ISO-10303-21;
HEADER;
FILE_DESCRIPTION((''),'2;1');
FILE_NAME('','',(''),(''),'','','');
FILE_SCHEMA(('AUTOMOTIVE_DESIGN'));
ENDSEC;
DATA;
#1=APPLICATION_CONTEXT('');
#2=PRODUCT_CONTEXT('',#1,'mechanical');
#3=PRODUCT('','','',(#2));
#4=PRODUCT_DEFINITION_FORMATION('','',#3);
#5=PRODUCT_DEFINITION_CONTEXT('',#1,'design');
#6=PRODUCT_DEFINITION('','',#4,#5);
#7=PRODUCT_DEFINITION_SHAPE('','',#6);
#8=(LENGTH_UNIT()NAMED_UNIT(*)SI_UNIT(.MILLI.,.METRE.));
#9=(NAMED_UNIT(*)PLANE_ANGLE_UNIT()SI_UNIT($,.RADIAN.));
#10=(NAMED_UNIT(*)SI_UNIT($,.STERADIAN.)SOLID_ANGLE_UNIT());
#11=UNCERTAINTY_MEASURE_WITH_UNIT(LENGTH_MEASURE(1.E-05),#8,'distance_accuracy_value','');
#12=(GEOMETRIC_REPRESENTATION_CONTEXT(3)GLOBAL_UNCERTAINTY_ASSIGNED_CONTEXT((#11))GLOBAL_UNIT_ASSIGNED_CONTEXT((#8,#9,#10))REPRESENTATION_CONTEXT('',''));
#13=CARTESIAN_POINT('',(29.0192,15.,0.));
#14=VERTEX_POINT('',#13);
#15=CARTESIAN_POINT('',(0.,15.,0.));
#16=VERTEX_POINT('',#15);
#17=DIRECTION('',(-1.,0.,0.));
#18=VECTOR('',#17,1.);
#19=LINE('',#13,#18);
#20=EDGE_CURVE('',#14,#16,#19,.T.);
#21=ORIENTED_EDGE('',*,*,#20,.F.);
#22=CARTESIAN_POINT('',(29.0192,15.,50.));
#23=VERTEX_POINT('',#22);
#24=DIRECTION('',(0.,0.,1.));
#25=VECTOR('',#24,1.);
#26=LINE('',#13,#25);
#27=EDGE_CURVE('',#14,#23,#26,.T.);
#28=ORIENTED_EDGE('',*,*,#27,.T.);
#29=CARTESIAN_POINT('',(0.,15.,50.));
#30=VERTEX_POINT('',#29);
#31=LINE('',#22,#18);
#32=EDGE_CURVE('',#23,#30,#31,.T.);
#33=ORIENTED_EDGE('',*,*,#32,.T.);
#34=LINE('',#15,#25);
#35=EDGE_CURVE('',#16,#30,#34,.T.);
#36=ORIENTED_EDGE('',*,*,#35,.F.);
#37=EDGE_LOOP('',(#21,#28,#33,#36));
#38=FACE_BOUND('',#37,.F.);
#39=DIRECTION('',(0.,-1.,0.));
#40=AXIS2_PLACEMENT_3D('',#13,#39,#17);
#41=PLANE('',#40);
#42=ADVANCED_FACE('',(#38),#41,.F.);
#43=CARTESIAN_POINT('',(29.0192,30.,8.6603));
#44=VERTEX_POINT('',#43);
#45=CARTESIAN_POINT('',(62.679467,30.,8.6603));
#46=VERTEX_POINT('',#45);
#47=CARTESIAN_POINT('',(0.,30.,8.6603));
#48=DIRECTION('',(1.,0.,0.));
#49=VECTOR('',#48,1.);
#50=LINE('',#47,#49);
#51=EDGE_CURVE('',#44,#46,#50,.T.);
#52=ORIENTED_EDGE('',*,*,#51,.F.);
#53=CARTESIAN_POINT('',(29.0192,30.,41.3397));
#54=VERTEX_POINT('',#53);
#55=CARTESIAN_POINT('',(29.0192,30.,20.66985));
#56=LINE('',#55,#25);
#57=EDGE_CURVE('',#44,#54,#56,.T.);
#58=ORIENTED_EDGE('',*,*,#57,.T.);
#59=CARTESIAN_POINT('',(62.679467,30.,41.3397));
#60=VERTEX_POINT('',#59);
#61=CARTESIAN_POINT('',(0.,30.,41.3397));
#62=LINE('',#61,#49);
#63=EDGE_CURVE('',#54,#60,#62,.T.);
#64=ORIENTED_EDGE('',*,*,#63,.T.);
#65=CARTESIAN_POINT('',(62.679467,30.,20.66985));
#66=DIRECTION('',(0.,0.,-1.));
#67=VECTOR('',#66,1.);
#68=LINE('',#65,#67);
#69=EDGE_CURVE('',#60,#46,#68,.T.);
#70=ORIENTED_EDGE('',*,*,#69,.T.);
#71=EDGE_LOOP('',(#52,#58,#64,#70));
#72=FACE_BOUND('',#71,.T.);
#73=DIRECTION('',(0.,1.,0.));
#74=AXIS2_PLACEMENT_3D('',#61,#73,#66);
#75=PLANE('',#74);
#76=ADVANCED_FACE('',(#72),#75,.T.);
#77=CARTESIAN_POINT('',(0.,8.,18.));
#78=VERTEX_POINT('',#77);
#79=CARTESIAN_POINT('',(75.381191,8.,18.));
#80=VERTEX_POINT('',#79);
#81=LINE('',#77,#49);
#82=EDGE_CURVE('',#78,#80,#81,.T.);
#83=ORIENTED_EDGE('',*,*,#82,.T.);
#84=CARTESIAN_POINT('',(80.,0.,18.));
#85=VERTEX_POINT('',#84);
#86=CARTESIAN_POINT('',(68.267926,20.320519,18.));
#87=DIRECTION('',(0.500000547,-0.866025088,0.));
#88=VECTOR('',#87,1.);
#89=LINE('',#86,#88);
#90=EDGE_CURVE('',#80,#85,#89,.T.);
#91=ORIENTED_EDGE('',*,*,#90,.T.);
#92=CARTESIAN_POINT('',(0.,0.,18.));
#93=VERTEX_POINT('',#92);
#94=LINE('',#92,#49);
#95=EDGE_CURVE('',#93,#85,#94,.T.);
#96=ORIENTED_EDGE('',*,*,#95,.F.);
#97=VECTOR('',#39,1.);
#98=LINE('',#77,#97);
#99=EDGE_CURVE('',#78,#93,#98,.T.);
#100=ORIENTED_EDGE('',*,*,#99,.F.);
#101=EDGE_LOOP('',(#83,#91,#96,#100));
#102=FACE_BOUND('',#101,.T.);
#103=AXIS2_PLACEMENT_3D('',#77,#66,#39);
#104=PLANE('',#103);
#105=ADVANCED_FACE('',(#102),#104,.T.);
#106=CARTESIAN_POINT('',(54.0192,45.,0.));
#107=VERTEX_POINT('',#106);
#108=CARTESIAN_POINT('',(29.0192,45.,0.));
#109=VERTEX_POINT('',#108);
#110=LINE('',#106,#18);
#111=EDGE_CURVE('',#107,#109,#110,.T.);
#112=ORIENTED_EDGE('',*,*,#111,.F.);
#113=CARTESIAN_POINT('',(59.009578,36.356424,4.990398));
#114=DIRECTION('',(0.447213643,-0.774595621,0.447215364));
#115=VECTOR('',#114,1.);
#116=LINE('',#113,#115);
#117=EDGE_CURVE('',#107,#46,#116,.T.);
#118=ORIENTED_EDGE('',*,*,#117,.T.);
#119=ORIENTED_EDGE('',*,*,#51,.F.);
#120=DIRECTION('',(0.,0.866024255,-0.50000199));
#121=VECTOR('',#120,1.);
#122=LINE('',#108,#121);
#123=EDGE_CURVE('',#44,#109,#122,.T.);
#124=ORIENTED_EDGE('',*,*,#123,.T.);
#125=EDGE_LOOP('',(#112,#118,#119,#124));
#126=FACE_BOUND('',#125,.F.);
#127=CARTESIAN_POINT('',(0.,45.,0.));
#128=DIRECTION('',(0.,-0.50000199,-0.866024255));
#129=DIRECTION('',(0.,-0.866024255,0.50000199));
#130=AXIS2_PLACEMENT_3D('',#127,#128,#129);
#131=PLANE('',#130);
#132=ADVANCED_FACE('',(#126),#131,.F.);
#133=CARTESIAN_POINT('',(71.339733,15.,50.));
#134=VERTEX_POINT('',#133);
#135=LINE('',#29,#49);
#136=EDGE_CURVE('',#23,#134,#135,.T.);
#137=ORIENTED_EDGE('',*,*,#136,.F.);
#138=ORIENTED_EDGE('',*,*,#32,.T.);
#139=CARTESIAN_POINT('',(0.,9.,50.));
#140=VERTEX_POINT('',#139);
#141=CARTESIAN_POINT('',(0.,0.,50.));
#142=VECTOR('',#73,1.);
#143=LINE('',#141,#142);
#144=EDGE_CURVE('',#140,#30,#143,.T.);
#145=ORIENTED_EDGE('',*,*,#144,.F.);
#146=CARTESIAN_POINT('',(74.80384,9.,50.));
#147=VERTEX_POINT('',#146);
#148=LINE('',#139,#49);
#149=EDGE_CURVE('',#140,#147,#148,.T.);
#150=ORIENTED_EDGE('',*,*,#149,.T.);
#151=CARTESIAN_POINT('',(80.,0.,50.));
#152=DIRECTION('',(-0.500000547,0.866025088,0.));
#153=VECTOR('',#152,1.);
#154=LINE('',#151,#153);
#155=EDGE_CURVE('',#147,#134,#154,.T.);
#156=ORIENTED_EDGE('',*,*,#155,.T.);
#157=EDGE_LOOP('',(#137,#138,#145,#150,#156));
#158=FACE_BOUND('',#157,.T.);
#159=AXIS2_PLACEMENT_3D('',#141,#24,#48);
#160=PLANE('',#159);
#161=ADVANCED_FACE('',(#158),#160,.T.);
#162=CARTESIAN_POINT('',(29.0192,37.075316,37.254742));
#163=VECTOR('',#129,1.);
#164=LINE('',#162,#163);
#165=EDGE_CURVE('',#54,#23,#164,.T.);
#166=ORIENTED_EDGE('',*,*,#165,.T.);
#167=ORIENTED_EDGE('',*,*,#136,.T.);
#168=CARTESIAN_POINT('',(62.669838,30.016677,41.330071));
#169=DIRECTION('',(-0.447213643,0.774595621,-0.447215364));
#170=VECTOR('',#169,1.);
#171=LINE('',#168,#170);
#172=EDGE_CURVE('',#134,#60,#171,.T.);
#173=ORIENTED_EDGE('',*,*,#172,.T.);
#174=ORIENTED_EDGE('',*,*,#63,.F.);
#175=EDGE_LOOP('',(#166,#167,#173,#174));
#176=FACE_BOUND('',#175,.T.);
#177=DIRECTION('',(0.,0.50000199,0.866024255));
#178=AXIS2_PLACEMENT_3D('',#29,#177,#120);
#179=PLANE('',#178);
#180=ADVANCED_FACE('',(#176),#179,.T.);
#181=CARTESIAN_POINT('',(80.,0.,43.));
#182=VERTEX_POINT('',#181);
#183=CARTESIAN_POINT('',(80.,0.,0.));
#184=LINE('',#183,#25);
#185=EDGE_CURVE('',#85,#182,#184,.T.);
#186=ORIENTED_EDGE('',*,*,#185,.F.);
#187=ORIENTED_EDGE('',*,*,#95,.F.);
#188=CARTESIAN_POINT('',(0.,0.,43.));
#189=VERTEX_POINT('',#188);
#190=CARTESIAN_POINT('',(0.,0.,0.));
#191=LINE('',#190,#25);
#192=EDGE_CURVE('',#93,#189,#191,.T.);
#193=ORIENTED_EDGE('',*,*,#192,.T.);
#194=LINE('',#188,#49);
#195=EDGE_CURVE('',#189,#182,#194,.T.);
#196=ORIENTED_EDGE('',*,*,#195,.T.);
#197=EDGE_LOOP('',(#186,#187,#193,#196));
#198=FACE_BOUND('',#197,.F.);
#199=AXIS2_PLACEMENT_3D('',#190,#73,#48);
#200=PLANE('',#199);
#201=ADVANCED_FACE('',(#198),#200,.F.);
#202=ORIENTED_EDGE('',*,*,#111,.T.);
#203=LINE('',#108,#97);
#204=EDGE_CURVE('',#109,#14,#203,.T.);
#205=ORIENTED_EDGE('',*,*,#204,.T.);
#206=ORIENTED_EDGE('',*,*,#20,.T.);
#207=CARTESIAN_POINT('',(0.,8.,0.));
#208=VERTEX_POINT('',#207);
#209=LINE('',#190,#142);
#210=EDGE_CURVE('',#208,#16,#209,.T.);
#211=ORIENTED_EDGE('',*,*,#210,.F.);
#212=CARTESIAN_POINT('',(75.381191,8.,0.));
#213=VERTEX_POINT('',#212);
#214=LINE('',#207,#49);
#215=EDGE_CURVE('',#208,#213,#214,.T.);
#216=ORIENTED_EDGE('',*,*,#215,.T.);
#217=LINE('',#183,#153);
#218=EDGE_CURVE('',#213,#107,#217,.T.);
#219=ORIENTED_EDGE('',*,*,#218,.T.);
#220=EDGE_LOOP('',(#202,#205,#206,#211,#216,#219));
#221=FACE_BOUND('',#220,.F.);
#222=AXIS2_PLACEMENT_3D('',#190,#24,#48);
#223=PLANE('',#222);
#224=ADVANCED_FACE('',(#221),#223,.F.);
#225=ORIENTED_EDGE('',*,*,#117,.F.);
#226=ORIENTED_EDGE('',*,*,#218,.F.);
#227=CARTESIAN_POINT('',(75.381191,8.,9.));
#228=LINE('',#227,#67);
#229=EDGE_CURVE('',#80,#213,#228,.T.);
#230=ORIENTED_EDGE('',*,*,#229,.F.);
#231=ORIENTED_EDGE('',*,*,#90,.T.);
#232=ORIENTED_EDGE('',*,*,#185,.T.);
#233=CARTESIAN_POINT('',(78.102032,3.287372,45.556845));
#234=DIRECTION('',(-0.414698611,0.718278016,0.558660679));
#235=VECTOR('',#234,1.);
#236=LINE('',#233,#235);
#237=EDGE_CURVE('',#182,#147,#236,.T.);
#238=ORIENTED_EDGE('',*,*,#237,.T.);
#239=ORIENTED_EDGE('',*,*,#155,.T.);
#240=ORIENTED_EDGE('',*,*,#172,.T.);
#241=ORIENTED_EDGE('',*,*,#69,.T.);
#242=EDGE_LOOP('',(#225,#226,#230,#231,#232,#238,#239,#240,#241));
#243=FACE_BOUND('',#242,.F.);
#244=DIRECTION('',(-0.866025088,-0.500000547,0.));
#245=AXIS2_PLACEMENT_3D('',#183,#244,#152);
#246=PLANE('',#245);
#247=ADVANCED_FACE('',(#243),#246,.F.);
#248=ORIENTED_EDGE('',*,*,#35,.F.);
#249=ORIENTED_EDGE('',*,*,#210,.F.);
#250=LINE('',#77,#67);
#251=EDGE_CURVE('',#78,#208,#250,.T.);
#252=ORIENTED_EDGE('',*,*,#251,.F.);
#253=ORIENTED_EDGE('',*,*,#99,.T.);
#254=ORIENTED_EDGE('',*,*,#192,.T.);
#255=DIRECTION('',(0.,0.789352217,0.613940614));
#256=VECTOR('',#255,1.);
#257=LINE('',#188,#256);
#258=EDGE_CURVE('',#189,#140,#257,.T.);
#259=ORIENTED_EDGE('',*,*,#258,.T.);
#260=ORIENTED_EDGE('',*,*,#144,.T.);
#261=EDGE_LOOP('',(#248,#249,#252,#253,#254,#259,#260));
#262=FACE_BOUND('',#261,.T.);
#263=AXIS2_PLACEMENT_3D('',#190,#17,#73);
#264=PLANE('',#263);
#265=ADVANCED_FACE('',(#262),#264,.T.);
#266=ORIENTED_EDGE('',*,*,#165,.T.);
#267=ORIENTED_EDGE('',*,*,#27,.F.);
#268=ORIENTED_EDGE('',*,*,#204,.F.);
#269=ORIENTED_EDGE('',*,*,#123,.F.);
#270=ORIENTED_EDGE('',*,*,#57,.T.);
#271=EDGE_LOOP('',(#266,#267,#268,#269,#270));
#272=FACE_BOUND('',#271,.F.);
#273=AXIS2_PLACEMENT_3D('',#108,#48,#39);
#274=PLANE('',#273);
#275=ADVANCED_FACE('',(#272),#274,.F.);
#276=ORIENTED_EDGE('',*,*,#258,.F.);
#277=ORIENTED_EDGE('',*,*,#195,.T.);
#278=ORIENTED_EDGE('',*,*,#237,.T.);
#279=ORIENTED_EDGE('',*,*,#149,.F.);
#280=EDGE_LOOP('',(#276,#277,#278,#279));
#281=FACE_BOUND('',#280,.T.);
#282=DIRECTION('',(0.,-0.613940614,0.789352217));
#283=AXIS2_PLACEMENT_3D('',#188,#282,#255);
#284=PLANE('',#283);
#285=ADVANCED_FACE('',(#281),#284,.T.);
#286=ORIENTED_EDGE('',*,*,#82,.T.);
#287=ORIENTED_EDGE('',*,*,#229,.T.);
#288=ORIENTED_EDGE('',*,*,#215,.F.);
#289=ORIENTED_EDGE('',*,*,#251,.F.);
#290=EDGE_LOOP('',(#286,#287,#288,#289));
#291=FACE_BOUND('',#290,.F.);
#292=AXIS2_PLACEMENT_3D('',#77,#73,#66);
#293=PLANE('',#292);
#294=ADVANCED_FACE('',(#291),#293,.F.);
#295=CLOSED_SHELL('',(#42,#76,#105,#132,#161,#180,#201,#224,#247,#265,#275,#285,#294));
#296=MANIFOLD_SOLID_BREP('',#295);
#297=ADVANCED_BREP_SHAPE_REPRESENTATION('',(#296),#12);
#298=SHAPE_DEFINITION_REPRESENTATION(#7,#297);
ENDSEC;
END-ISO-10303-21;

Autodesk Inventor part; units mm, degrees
ref_plane "YZ Plane" through (0, 0, 0) normal (1, 0, 0) x (0, 1, 0)
ref_plane "XZ Plane" through (0, 0, 0) normal (0, 1, 0) x (-1, 0, 0)
ref_plane "XY Plane" through (0, 0, 0) normal (0, 0, 1) x (1, 0, 0)
sketch "Sketch1" plane through (0, 0, 0) normal (0, 0, 1) x (1, 0, 0)
  line L0 (0, 0) -> (80, 0)
  line L1 (80, 0) -> (144, 0) construction
  line L2 (80, 0) -> (54.0192, 45)
  line L3 (54.0192, 45) -> (29.0192, 45)
  line L4 (0, 0) -> (0, 15)
  line L5 (29.0192, 45) -> (29.0192, 15)
  line L6 (29.0192, 15) -> (0, 15)
  dimension "d0" = 80
  dimension "d2" = 25
extrude "Extrusion1" add sketch "Sketch1" along normal blind 50
sketch "Sketch2" plane through (54.0192, 45, 50) normal (0.866, 0.5, 0) x (0, 0, -1)
  point P0 (50, -11.9615)
sketch "Sketch3" plane through (0, 0, 0) normal (-1, 0, 0) x (0, 0, 1)
  line L0 (50, 0) -> (50, 45) projected
  line L1 (50, 0) -> (50, 9)
  line L2 (50, 0) -> (43, 0)
  line L3 (0, 0) -> (50, 0) projected
  line L4 (43, 0) -> (50, 9)
  line L5 (0, 0) -> (18, 0)
  line L6 (0, 0) -> (0, 45) projected
  line L7 (0, 0) -> (0, 8)
  line L8 (18, 8) -> (18, 0)
  line L9 (18, 8) -> (0, 8)
  line L10 (0, 45) -> (0, 30)
  line L11 (0, 45) -> (20, 45) construction
  line L12 (0, 45) -> (8.6603, 30)
  line L13 (50, 15) -> (41.3397, 30)
  line L14 (41.3397, 30) -> (8.6603, 30)
  line L15 (0, 45) -> (50, 45) projected
  line L16 (0, 45) -> (50, 45)
  line L17 (50, 45) -> (50, 15)
extrude "Extrusion2" cut sketch "Sketch3" against normal blind 80 contours L2 L4 L0 | L13 L14 L12 L15 L0 | L3 L6 L9 L8
properties part number "P3-14"
